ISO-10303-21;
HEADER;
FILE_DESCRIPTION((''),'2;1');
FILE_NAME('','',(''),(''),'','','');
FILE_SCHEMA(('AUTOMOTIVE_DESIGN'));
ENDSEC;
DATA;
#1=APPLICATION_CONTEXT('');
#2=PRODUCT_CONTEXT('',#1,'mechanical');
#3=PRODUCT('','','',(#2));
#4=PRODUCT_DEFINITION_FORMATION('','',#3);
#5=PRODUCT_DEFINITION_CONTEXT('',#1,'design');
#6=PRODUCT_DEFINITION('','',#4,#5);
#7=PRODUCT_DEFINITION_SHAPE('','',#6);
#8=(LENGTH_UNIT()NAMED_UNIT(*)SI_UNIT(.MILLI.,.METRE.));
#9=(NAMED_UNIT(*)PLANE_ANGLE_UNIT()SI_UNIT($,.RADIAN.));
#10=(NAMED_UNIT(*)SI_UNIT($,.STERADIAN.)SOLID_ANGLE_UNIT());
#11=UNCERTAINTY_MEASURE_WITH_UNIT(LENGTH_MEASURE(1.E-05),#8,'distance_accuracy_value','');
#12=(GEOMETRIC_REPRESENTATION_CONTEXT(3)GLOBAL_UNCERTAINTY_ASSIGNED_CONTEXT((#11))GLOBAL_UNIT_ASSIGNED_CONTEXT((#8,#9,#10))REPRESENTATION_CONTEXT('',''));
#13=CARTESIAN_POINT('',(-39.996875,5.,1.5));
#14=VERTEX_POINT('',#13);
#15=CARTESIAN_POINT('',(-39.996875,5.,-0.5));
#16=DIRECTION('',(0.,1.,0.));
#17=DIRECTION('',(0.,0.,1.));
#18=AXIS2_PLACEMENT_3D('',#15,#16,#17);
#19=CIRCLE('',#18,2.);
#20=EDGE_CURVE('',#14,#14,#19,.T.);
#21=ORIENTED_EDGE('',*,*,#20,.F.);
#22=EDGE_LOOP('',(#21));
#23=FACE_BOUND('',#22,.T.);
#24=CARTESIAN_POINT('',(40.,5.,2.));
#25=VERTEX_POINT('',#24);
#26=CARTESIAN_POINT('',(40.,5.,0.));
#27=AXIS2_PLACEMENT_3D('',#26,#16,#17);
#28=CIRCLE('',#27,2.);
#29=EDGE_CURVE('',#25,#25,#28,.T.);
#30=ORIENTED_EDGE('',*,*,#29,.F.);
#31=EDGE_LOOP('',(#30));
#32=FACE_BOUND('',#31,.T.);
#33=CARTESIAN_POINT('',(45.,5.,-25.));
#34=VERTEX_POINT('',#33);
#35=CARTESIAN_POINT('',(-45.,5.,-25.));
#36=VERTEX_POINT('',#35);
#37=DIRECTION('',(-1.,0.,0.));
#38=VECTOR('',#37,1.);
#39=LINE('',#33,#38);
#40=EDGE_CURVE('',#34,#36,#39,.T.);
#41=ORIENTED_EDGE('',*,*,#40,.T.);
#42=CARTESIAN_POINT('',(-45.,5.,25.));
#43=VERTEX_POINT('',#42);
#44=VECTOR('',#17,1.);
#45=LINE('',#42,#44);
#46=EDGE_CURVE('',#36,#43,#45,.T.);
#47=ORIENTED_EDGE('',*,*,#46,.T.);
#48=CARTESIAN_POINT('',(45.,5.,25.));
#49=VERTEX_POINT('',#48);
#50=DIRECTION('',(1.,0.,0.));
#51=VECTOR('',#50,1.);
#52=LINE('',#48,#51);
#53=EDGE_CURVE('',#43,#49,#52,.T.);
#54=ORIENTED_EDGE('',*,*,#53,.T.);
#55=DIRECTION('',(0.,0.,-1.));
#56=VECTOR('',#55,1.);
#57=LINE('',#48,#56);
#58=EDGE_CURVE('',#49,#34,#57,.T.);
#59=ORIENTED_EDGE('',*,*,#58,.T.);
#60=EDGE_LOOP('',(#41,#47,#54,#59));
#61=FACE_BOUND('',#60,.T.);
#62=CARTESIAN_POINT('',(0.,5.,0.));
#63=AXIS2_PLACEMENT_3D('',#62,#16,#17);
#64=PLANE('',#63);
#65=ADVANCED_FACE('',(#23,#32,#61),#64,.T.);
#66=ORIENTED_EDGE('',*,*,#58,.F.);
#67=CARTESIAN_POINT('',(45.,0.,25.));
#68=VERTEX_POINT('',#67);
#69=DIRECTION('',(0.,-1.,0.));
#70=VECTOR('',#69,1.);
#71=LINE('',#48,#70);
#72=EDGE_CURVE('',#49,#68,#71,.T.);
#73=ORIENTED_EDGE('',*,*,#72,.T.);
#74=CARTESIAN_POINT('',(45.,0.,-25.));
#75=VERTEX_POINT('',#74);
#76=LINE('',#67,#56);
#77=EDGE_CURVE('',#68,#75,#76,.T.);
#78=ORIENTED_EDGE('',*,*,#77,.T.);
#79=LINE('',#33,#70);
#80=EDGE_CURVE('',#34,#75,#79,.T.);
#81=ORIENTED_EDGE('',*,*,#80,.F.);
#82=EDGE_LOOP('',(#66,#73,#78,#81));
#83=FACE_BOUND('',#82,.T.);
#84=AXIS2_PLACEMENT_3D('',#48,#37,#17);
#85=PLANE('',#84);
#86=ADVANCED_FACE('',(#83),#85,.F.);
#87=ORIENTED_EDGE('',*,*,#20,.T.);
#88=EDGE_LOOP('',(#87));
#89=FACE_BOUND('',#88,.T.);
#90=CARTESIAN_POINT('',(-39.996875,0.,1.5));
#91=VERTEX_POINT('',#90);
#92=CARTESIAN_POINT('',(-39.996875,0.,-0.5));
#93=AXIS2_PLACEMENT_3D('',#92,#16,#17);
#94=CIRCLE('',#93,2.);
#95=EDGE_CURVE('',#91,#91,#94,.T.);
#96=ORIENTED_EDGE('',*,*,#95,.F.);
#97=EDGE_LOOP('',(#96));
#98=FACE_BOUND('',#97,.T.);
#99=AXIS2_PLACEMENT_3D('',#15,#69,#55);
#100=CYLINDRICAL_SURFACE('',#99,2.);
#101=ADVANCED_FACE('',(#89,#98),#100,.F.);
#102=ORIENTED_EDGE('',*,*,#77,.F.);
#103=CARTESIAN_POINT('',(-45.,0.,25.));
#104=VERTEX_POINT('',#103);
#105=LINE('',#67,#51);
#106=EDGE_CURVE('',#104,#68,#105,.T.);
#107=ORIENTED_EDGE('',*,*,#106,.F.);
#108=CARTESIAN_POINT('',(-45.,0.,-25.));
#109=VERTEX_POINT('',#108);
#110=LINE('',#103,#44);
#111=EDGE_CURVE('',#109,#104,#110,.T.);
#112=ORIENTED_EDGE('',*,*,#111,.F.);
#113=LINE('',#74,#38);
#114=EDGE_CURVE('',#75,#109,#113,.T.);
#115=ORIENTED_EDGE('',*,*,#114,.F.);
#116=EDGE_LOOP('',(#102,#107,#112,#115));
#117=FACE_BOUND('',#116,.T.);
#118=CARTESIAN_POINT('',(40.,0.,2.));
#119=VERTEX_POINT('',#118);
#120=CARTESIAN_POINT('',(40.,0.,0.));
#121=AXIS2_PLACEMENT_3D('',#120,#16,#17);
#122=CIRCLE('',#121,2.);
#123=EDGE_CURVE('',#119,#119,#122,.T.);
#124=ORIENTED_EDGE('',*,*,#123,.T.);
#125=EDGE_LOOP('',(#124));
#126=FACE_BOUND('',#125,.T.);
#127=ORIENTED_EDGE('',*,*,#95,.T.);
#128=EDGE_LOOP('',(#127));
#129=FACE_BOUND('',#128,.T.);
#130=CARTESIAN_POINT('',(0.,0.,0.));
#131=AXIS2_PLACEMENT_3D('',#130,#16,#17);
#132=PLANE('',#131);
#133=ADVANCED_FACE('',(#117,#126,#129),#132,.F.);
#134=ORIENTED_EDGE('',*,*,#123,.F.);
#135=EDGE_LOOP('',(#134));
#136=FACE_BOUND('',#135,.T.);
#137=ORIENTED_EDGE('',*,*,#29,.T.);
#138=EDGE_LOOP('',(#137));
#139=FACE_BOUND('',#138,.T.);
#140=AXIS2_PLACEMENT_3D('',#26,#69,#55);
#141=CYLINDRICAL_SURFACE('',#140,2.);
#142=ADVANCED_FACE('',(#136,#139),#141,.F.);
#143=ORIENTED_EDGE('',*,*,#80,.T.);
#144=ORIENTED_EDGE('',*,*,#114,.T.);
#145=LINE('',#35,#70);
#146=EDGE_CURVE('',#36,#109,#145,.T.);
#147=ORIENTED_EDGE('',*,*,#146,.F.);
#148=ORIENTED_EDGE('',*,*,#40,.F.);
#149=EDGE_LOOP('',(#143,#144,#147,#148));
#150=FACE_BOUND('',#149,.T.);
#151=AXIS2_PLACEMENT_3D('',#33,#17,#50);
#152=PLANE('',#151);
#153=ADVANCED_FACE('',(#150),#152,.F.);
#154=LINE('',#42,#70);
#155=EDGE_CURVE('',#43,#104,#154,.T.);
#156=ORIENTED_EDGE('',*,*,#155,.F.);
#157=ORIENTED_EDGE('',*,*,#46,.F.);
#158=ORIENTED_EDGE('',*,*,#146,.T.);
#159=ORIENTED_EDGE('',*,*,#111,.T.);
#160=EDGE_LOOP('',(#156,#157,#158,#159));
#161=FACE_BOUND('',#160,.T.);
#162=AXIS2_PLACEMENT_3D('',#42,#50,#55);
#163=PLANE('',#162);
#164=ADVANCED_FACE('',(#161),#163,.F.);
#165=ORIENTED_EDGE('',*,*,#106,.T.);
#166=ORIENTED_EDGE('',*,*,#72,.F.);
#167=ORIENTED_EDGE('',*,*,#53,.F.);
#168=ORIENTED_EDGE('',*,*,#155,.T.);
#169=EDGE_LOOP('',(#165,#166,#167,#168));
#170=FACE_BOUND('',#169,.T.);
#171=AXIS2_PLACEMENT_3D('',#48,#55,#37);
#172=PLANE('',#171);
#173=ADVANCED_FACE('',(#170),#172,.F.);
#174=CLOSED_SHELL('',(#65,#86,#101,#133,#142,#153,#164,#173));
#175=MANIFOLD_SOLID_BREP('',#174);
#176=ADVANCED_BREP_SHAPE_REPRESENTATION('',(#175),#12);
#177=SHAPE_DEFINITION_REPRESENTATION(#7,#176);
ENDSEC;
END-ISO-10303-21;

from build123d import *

# Parameters (mm, degrees)
SKETCH_1_W      = 90
SKETCH_1_H      = 50
SKETCH_1_R      = 2
EXTRUDE_1_DEPTH = 5


with BuildPart() as part:
    # 草图1 → 凸台-拉伸1 (new body)
    with BuildSketch(Plane(origin=(0, 0, 0), x_dir=(1, 0, 0), z_dir=(0, 1, 0))):
        Rectangle(SKETCH_1_W, SKETCH_1_H)
        with Locations(Location((-39.996874878, 0.5, 0), (0, 0, 270))):
            Circle(SKETCH_1_R, mode=Mode.SUBTRACT)
        with Locations(Location((40, 0, 0), (0, 0, 270))):
            Circle(SKETCH_1_R, mode=Mode.SUBTRACT)
    extrude(amount=EXTRUDE_1_DEPTH)


solid = part.part
